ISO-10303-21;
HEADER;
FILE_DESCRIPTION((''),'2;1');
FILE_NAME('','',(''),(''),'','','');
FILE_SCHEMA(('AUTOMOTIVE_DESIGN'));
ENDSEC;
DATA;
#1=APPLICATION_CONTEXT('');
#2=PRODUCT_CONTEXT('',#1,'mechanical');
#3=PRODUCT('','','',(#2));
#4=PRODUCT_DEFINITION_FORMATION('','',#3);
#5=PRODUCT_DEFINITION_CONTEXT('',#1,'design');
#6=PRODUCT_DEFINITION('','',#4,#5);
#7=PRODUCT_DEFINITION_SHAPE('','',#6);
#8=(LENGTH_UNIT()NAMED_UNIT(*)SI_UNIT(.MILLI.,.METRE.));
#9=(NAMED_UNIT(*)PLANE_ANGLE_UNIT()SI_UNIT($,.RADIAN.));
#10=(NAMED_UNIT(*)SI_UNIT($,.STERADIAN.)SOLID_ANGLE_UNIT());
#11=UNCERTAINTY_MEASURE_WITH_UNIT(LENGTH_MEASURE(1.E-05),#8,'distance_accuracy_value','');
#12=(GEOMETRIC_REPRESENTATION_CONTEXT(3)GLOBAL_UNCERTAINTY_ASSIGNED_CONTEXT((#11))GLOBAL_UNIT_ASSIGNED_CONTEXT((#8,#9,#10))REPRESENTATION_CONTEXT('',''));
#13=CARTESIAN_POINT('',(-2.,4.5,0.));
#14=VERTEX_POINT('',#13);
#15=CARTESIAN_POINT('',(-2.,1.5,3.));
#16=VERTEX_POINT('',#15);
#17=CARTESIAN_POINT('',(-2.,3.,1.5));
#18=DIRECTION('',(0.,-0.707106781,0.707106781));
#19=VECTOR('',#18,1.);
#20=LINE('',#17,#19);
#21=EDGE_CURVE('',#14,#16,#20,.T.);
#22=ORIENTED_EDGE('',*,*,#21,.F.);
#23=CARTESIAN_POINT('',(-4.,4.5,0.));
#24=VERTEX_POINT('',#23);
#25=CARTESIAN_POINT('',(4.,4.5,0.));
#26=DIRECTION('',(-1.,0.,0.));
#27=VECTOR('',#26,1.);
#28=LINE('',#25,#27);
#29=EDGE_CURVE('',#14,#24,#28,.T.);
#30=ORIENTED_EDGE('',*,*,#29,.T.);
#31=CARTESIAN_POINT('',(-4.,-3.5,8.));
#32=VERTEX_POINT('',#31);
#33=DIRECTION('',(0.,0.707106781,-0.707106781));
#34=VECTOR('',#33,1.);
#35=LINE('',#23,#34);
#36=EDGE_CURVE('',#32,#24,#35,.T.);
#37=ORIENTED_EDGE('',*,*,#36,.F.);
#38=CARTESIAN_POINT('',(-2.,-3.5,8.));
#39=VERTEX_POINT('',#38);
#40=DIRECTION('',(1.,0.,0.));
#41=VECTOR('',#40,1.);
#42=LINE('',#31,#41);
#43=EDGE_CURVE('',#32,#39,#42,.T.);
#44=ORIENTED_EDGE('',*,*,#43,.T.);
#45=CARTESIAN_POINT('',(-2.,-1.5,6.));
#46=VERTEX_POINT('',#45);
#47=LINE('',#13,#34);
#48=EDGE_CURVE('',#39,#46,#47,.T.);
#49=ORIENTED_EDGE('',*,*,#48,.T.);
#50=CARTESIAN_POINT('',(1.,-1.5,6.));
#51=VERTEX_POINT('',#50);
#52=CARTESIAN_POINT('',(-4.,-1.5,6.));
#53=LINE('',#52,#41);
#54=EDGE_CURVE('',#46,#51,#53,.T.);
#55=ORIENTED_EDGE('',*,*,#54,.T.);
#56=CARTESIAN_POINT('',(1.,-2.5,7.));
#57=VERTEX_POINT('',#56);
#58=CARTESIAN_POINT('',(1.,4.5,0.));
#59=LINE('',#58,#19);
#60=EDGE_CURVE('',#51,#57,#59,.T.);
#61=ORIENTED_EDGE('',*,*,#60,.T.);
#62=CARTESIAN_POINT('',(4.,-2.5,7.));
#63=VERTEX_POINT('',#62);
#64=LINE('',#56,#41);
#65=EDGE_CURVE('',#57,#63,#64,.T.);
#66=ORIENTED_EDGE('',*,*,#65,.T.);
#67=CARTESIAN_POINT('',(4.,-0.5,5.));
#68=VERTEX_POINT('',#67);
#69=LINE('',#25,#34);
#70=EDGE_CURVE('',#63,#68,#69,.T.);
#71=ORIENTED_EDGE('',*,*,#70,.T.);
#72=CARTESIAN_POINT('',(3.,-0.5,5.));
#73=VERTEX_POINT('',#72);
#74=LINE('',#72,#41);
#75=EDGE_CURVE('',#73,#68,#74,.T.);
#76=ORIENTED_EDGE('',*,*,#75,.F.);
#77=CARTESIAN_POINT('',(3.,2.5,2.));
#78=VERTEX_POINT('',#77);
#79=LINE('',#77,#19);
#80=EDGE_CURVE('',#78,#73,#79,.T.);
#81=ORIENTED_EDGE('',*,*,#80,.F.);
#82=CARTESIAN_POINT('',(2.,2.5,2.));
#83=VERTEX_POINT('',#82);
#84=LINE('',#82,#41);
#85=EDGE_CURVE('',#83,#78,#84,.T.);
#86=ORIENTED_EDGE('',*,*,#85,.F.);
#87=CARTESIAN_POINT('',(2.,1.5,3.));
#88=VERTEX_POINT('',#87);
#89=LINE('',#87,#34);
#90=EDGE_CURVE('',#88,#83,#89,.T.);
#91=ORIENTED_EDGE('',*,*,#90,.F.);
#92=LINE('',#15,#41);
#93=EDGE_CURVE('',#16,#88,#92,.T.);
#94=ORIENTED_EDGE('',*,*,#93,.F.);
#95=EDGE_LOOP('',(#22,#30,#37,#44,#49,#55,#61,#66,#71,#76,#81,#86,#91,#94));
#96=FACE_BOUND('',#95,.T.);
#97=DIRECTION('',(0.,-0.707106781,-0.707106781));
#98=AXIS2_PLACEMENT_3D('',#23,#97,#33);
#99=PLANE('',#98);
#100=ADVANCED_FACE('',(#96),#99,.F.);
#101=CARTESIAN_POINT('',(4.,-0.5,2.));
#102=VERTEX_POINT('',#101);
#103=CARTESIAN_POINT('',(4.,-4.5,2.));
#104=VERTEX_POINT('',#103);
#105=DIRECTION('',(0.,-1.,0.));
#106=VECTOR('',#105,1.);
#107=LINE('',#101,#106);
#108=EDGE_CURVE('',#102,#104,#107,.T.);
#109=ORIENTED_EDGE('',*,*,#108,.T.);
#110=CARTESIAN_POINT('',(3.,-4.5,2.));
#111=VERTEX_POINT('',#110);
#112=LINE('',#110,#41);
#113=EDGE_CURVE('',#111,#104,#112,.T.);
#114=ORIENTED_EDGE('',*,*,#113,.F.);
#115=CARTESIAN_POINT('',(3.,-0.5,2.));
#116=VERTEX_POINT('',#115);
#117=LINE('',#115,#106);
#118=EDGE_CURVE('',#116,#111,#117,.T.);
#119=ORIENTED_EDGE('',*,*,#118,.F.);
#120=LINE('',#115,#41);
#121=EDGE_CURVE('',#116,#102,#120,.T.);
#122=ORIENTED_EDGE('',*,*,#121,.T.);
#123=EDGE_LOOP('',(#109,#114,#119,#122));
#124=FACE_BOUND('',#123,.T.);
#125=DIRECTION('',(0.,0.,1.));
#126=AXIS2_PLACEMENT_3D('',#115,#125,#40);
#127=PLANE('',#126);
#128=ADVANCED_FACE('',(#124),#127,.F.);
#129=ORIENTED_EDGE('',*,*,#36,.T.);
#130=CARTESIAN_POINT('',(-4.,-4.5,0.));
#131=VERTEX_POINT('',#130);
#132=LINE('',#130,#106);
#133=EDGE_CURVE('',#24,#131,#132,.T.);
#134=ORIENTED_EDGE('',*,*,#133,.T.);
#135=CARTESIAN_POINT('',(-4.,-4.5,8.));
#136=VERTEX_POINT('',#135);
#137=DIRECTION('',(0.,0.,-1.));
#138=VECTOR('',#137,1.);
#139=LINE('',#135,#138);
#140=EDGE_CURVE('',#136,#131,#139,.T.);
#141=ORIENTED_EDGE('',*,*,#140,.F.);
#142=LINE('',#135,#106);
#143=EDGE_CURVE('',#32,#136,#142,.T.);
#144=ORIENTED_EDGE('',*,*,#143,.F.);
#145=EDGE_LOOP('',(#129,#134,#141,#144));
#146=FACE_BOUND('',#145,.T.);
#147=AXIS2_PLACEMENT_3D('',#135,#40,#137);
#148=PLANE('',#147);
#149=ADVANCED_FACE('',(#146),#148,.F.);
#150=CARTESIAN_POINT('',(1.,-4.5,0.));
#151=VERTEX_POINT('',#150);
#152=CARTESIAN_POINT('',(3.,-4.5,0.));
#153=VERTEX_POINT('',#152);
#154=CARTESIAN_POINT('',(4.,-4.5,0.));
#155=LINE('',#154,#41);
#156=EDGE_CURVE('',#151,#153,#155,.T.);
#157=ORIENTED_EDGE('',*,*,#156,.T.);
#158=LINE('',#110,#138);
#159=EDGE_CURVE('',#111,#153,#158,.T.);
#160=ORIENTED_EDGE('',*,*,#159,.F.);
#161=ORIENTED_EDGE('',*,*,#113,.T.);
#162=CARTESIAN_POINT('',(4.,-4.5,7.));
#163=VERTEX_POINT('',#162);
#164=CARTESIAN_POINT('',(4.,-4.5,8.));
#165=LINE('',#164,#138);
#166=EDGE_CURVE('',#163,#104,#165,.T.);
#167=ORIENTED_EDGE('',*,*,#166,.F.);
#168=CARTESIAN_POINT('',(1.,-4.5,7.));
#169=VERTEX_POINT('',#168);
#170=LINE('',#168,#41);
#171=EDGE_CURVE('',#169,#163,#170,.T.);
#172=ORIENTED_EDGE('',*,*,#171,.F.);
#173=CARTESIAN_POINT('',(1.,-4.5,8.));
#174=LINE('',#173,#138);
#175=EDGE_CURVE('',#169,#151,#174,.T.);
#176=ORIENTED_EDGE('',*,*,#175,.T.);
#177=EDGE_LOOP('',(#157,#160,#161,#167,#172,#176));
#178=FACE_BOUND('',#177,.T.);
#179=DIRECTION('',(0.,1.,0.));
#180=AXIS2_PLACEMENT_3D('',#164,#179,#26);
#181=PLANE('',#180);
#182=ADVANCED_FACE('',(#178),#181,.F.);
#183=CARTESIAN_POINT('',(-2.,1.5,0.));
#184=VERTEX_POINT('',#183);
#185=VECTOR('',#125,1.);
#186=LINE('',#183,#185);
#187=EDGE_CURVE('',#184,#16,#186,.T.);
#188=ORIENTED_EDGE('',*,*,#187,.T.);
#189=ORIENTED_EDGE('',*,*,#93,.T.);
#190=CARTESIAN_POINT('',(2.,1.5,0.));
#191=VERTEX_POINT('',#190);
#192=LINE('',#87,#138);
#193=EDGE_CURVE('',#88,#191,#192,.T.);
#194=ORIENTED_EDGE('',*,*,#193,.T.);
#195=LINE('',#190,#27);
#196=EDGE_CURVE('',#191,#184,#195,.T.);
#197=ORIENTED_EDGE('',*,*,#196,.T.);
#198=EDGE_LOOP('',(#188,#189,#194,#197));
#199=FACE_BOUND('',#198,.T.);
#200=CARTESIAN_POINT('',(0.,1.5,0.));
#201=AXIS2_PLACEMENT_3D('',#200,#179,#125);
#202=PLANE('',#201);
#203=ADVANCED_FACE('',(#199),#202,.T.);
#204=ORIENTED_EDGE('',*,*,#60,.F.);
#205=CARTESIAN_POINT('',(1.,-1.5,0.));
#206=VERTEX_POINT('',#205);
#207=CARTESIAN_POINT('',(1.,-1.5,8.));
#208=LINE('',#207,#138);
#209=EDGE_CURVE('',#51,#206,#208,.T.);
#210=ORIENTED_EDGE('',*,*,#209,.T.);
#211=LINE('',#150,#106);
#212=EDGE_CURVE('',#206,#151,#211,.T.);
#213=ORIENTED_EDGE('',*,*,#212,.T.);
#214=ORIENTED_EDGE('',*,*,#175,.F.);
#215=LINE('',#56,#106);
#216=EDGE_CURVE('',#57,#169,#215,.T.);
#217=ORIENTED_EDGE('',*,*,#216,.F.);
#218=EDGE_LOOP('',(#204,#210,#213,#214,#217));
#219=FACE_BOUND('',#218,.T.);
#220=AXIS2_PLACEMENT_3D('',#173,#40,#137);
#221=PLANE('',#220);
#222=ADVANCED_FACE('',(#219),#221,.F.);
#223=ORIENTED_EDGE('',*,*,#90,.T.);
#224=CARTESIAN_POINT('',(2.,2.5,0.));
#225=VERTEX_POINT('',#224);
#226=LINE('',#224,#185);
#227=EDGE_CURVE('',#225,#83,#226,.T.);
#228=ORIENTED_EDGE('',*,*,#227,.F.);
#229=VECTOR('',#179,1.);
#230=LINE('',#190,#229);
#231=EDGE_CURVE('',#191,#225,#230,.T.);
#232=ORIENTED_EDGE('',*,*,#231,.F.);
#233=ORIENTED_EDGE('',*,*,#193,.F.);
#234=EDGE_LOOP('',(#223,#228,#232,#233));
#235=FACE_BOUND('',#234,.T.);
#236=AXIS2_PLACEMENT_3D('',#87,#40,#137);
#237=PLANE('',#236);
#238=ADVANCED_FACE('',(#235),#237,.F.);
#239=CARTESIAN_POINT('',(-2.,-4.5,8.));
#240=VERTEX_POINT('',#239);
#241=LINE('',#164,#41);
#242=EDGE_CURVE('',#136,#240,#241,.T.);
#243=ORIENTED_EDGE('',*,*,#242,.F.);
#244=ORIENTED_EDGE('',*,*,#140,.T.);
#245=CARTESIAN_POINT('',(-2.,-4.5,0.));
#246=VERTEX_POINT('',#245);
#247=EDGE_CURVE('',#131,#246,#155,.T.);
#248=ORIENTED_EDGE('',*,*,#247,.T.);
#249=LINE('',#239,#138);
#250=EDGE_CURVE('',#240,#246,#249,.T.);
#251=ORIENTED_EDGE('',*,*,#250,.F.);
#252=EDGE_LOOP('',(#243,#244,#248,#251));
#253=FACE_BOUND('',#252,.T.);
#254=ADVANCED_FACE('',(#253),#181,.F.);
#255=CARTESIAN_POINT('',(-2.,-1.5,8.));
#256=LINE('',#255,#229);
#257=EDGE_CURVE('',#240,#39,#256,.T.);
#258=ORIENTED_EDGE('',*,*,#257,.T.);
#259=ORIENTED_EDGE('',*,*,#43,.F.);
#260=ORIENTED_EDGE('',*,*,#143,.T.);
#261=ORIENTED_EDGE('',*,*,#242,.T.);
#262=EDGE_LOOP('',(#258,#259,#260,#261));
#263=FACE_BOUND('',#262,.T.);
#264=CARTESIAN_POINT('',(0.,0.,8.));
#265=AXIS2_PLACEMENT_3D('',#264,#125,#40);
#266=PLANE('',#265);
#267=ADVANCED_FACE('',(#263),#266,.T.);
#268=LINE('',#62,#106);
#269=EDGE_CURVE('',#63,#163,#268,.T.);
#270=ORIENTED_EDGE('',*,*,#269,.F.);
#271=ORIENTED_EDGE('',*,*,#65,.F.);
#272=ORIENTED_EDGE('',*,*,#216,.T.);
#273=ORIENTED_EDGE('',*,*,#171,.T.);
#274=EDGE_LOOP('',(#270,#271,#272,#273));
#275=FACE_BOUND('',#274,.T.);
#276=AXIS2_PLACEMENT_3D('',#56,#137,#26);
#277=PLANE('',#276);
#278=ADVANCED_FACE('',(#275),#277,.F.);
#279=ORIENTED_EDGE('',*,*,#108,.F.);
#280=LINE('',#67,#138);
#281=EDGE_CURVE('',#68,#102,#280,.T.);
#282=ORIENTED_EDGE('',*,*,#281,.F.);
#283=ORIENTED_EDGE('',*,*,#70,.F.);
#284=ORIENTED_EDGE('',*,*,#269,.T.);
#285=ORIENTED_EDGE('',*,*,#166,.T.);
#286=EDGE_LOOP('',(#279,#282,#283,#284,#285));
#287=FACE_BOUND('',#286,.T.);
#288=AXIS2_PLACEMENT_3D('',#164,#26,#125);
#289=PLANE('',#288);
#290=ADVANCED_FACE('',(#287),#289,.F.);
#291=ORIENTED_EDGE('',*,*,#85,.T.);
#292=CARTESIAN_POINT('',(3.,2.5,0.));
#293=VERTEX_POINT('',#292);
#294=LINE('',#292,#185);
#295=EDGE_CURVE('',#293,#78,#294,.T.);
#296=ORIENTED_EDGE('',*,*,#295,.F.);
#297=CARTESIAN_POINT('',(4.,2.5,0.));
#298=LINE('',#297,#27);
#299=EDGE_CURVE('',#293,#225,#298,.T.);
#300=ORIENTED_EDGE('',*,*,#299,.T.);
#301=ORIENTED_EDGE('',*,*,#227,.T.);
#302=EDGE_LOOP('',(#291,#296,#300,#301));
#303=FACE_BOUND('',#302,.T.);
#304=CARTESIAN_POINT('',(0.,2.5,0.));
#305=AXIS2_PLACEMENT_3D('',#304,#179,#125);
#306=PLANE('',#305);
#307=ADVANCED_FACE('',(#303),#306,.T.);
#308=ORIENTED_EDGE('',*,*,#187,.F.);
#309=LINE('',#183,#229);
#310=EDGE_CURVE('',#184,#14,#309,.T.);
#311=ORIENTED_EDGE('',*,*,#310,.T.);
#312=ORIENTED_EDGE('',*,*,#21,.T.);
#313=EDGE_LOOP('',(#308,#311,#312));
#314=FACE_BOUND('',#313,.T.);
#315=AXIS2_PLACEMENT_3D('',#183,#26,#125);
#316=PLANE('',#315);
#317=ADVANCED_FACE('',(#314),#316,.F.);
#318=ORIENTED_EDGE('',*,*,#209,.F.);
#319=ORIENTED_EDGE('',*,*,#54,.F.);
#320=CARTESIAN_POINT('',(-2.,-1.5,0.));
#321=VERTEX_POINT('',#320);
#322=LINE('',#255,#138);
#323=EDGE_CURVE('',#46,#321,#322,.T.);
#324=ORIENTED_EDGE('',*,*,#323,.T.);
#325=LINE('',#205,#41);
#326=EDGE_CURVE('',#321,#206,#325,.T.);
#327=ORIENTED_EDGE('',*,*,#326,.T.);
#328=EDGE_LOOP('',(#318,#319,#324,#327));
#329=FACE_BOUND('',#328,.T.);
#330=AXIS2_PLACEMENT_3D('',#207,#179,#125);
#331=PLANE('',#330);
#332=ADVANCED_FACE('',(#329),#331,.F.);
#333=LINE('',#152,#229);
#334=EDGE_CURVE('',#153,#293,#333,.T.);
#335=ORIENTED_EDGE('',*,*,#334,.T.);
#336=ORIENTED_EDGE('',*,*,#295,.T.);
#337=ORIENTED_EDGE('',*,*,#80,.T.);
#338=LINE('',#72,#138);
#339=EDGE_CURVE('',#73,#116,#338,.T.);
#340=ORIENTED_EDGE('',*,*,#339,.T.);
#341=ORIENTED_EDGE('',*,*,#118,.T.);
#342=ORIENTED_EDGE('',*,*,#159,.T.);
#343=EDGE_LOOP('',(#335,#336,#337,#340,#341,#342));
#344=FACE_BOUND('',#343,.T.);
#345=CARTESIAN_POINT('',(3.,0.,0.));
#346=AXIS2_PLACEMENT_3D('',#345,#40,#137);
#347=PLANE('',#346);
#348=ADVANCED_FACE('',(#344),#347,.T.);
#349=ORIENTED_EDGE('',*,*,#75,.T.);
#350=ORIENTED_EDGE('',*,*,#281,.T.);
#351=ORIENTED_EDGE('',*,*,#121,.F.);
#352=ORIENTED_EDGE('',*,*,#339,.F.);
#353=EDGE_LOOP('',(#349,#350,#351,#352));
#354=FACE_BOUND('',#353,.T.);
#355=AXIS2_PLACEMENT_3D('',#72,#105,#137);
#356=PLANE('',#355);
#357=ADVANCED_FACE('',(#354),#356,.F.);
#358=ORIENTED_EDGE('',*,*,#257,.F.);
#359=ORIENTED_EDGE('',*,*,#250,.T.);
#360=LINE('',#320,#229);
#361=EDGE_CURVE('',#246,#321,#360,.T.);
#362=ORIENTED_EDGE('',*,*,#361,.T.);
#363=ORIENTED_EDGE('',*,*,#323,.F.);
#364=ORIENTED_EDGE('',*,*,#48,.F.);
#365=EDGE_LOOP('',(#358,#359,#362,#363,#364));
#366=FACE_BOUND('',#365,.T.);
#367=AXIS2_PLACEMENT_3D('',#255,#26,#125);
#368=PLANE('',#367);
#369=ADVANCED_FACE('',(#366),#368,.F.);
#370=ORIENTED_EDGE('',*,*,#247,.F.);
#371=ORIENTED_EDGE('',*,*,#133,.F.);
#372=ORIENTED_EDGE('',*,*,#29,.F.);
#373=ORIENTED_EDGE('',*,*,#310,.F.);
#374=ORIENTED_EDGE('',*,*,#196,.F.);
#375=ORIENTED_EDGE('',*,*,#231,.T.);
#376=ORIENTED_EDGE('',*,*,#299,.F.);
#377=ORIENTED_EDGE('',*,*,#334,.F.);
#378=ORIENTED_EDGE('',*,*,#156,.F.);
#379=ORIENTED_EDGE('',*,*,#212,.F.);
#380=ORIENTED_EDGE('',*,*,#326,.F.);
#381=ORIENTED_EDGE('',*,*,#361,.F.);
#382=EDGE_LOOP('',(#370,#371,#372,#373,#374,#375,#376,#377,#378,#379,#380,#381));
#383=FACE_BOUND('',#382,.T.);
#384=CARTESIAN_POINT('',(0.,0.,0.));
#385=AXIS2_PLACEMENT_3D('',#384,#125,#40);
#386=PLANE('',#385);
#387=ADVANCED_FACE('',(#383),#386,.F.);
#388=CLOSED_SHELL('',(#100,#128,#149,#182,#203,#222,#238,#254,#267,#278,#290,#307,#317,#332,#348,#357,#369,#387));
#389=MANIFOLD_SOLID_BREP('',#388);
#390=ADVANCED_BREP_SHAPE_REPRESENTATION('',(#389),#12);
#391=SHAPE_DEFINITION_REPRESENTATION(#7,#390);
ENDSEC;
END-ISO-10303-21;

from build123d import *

# Parameters (mm, degrees)
SKETCH1_W           = 8
SKETCH1_H           = 9
BOSS_EXTRUDE1_DEPTH = 8
SKETCH2_W           = 4
SKETCH2_H           = 3
CUT_EXTRUDE1_DEPTH  = 3
SKETCH3_W           = 2
SKETCH3_H           = 2
CUT_EXTRUDE2_DEPTH  = 2
CUT_EXTRUDE3_DEPTH  = 1
CUT_EXTRUDE4_DEPTH  = 9
SKETCH6_W           = 3
SKETCH6_H           = 3
CUT_EXTRUDE5_DEPTH  = 9
SKETCH7_W           = 3
SKETCH7_H           = 1
CUT_EXTRUDE6_DEPTH  = 2


with BuildPart() as part:
    # Sketch1 → Boss-Extrude1 (new body)
    with BuildSketch(Plane.XY):
        Rectangle(SKETCH1_W, SKETCH1_H)
    extrude(amount=BOSS_EXTRUDE1_DEPTH)

    # Sketch2 → Cut-Extrude1 (cut)
    with BuildSketch(Plane(origin=(0, 4.5, 0), x_dir=(1, 0, 0), z_dir=(0, 1, 0))):
        with Locations((0, -1.5)):
            Rectangle(SKETCH2_W, SKETCH2_H)
    extrude(amount=-CUT_EXTRUDE1_DEPTH, mode=Mode.SUBTRACT)

    # Sketch3 → Cut-Extrude2 (cut)
    with BuildSketch(Plane(origin=(0, 4.5, 0), x_dir=(1, 0, 0), z_dir=(0, 1, 0))):
        with Locations((3, -1)):
            Rectangle(SKETCH3_W, SKETCH3_H)
    extrude(amount=-CUT_EXTRUDE2_DEPTH, mode=Mode.SUBTRACT)

    # Sketch4 → Cut-Extrude3 (cut)
    with BuildSketch(Plane(origin=(4, 0, 0), x_dir=(0, 0, -1), z_dir=(1, 0, 0))):
        Polygon((0, -4.5), (0, 2.5), (-2, 2.5), (-5, -0.5), (-2, -0.5), (-2, -4.5), align=None)
    extrude(amount=-CUT_EXTRUDE3_DEPTH, mode=Mode.SUBTRACT)

    # Sketch5 → Cut-Extrude4 (cut, through all)
    with BuildSketch(Plane(origin=(4, 0, 0), x_dir=(0, 0, -1), z_dir=(1, 0, 0))):
        Polygon((0, 4.5), (-8, -3.5), (-8, 4.5), align=None)
    extrude(amount=-CUT_EXTRUDE4_DEPTH, mode=Mode.SUBTRACT)

    # Sketch6 → Cut-Extrude5 (cut, through all)
    with BuildSketch(Plane(origin=(0, 0, 0), x_dir=(-1, 0, 0), z_dir=(0, 0, -1))):
        with Locations((0.5, -3)):
            Rectangle(SKETCH6_W, SKETCH6_H)
    extrude(amount=-CUT_EXTRUDE5_DEPTH, mode=Mode.SUBTRACT)

    # Sketch7 → Cut-Extrude6 (cut)
    with BuildSketch(Plane.XZ.offset(4.5)):
        with Locations((2.5, 7.5)):
            Rectangle(SKETCH7_W, SKETCH7_H)
    extrude(amount=-CUT_EXTRUDE6_DEPTH, mode=Mode.SUBTRACT)


solid = part.part
